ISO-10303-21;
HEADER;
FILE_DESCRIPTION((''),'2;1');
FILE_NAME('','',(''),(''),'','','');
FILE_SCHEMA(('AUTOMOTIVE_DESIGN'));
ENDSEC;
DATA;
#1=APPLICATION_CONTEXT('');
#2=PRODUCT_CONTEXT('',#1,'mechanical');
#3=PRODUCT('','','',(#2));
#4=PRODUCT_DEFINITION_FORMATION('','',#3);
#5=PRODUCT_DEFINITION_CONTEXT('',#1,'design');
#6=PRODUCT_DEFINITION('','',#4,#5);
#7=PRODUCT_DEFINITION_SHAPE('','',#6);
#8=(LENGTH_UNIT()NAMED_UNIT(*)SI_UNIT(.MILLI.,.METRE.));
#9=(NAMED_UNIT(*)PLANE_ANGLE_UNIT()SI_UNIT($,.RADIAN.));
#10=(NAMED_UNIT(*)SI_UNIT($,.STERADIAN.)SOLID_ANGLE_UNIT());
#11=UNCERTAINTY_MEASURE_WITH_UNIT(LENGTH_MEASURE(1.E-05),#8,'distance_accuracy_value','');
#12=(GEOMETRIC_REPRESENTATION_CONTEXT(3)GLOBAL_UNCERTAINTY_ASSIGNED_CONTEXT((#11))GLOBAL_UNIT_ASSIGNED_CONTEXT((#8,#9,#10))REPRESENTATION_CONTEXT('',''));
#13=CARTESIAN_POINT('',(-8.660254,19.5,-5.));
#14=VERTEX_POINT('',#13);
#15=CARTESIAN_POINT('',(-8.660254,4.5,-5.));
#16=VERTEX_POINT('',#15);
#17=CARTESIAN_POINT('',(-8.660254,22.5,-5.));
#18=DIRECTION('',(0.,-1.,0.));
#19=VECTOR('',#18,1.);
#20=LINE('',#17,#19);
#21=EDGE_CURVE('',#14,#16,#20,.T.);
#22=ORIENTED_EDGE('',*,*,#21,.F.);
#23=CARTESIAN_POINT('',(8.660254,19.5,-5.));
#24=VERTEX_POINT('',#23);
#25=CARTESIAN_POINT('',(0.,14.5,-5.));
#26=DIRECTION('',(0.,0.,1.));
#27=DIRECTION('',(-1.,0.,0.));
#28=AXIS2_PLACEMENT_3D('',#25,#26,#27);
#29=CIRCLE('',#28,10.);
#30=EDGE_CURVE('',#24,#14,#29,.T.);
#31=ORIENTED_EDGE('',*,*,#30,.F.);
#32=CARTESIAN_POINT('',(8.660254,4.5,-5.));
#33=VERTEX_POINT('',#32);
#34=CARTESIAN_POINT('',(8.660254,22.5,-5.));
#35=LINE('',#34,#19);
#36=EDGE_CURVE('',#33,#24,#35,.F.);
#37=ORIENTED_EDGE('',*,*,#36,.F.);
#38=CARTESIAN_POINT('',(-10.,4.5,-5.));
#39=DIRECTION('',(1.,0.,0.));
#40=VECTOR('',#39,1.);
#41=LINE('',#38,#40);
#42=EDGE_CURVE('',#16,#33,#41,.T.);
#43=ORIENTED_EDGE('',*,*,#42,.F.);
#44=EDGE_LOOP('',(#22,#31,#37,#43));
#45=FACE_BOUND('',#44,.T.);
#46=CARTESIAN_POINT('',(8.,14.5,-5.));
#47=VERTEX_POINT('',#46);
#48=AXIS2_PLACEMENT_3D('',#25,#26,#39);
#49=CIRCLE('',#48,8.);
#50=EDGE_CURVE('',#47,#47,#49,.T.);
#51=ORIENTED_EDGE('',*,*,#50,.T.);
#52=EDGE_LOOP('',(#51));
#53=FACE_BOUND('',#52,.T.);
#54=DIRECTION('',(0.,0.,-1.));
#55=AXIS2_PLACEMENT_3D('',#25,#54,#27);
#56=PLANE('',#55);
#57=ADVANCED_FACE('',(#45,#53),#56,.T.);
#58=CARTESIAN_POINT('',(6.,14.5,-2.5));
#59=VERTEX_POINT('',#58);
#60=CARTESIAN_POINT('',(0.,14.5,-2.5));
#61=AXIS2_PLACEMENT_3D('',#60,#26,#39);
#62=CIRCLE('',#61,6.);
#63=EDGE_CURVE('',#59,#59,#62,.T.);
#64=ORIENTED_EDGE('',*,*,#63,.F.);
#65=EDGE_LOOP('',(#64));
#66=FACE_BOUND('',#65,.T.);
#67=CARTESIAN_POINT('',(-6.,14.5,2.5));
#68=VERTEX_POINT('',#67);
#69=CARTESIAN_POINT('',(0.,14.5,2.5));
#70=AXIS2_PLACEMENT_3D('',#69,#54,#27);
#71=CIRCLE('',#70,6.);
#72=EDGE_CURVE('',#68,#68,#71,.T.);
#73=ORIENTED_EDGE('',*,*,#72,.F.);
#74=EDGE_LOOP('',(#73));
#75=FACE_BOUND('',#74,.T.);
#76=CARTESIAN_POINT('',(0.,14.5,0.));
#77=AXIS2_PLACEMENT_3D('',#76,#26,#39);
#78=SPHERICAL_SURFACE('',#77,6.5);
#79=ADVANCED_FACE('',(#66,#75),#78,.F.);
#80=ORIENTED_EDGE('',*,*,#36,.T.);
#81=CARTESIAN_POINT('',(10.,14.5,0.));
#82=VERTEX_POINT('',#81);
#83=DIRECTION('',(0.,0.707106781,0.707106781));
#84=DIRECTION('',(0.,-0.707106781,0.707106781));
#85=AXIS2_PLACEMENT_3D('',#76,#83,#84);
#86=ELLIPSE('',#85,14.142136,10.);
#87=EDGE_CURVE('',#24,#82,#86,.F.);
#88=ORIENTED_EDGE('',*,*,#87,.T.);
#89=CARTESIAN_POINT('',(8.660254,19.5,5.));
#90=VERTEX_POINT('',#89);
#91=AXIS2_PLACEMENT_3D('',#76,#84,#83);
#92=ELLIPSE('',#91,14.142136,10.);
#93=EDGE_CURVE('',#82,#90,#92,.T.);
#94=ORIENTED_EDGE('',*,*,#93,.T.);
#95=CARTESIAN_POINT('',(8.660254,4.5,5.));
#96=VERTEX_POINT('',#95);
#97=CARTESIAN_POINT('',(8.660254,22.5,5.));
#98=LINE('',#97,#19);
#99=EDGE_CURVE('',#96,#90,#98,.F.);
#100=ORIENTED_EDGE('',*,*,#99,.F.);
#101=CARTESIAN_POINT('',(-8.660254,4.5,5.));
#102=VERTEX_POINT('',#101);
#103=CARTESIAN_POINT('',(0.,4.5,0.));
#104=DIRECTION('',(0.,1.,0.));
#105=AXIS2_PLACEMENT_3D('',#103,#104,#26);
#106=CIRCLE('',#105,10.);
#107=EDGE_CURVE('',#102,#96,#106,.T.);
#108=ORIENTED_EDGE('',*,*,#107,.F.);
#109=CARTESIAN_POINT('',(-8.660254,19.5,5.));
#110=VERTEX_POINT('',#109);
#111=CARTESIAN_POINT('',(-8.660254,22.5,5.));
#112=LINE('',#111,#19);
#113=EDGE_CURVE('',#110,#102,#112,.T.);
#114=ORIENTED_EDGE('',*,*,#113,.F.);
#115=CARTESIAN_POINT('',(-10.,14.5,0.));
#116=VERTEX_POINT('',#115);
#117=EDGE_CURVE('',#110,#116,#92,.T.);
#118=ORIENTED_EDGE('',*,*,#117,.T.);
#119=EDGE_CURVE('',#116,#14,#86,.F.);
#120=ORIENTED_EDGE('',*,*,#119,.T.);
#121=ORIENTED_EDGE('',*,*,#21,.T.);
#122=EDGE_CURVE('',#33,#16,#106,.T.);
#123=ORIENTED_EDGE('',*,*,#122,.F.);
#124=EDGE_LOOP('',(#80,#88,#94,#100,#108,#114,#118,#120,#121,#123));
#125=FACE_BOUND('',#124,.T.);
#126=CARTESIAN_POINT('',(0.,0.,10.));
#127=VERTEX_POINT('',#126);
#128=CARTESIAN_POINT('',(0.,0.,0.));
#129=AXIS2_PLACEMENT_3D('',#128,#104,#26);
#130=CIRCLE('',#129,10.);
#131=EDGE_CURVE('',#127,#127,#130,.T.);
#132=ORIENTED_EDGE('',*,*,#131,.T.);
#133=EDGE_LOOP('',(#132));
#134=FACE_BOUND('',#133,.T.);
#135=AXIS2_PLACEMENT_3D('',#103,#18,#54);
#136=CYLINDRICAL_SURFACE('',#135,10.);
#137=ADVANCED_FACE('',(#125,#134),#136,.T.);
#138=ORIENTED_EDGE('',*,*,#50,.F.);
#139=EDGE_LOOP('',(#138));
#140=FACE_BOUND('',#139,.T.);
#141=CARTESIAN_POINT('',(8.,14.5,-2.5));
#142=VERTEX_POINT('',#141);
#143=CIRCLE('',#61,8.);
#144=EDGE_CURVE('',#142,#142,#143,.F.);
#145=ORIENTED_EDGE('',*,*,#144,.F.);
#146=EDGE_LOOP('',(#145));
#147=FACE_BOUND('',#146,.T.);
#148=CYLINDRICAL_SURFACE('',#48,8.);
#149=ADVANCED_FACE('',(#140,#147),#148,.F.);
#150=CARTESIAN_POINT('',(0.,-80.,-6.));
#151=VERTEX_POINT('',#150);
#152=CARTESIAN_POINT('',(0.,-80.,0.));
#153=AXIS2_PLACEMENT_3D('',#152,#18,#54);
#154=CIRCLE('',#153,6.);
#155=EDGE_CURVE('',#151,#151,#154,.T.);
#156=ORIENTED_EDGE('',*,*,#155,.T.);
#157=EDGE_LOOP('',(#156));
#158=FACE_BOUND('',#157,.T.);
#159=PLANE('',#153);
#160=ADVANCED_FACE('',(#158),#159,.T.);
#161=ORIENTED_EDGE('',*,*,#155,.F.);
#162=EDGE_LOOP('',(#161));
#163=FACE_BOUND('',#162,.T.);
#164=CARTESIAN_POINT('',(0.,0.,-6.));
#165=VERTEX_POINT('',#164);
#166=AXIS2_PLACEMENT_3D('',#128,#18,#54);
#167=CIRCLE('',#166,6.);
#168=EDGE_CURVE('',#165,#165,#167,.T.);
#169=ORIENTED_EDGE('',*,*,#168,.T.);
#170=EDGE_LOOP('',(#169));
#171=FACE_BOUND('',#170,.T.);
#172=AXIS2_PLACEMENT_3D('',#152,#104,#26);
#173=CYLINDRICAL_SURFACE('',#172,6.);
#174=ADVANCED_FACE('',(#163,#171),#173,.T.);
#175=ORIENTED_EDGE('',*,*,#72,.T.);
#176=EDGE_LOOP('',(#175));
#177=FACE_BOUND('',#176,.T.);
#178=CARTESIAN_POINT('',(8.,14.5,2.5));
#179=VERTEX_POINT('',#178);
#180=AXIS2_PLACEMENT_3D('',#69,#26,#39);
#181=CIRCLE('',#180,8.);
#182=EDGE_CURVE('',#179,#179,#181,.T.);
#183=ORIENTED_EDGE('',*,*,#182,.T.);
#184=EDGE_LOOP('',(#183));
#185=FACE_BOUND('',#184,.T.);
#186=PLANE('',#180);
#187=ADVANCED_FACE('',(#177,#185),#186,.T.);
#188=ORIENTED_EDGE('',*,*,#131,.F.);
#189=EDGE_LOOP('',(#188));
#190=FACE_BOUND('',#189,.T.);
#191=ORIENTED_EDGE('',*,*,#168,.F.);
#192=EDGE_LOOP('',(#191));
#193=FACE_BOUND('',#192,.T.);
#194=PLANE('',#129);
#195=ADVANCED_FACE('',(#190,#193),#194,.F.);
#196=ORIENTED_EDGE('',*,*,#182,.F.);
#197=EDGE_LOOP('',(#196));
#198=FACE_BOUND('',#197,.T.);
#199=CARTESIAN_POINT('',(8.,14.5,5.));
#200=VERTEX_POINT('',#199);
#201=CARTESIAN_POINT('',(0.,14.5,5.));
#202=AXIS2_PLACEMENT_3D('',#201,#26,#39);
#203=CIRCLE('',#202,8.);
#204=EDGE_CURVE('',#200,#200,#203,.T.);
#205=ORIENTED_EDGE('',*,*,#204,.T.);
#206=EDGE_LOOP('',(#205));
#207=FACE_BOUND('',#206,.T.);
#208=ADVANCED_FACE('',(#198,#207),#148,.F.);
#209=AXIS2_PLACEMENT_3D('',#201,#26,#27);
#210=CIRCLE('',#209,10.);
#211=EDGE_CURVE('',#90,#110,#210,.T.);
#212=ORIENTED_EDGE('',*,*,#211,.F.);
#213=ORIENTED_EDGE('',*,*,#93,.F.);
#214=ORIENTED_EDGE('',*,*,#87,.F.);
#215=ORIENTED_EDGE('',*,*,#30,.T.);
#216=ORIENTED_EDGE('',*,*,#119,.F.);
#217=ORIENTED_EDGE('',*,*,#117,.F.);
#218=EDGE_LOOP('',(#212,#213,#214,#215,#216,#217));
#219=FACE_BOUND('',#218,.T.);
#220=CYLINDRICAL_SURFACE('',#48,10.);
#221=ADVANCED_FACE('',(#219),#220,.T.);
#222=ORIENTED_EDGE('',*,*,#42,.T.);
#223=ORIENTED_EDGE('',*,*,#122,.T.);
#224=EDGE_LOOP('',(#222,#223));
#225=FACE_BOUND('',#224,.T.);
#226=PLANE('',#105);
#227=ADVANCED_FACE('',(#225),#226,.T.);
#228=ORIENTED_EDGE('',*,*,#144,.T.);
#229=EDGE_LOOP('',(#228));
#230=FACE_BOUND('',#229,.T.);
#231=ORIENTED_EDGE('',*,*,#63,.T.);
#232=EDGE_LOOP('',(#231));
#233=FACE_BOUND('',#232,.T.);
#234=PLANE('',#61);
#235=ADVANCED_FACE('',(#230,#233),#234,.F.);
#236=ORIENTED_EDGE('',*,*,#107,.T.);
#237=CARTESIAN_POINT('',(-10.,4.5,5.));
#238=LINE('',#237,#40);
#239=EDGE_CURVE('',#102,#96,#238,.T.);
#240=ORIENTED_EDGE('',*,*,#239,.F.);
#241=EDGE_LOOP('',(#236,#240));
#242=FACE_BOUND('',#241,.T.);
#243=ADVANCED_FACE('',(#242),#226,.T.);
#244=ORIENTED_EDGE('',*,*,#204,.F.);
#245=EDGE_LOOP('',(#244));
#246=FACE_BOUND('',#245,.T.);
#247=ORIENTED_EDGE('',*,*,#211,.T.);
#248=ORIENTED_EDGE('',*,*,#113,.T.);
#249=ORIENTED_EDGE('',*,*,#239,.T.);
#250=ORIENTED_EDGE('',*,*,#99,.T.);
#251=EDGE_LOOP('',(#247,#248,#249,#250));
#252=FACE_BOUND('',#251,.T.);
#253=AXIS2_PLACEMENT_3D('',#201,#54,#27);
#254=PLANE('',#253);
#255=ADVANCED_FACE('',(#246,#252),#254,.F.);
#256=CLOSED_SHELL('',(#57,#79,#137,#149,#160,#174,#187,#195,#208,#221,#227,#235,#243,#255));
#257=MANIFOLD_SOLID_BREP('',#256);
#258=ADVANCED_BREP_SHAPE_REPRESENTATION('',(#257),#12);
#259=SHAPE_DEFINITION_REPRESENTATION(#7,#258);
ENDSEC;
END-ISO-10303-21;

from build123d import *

# Parameters (mm, degrees)
SKETCH_1_R          = 10
EXTRUDE_1_DEPTH     = 4.5
SKETCH_4_R          = 8
EXTRUDE_3_DEPTH     = 5
SKETCH_5_R          = 8
EXTRUDE_4_DEPTH     = 2.5
SKETCH_8_R          = 4
SKETCH_7_R          = 6
SKETCH_9_R          = 14.627232323
SKETCH_9_R_2        = 10
CUT_EXTRUDE_1_DEPTH = 18
SKETCH_10_R         = 2.5
CUT_EXTRUDE_2_DEPTH = 10
SKETCH_2_R          = 6
EXTRUDE_5_DEPTH     = 80
SKETCH_11_R         = 6
CUT_EXTRUDE_3_DEPTH = 36


with BuildPart() as part:
    # 草图1 → 凸台-拉伸1 (new body)
    with BuildSketch(Plane(origin=(0, 0, 0), x_dir=(1, 0, 0), z_dir=(0, 1, 0))):
        with Locations(Location((0, 0, 0), (0, 0, 270))):
            Circle(SKETCH_1_R)
    extrude(amount=EXTRUDE_1_DEPTH)

    # 草图4 → 凸台-拉伸3 (add, symmetric)
    with BuildSketch(Plane.XY):
        with BuildLine():
            Line((-10, 4.5), (10, 4.5))
            Line((10, 4.5), (10, 14.5))
            ThreePointArc((10, 14.5), (0, 24.5), (-10, 14.5))
            Line((-10, 14.5), (-10, 4.5))
        make_face()
        with Locations((0, 14.5)):
            Circle(SKETCH_4_R, mode=Mode.SUBTRACT)
    extrude(amount=EXTRUDE_3_DEPTH, both=True)

    # 草图5 → 凸台-拉伸4 (add, symmetric)
    with BuildSketch(Plane.XY):
        with Locations((0, 14.5)):
            Circle(SKETCH_5_R)
    extrude(amount=EXTRUDE_4_DEPTH, both=True)

    # 草图8 → 放样1 section 0
    with BuildSketch(Plane.XY.offset(4.5)):
        with Locations((0, 14.5)):
            Circle(SKETCH_8_R)
    # 草图7 → 放样1 section 1
    with BuildSketch(Plane.XY.offset(2.5)):
        with Locations((0, 14.5)):
            Circle(SKETCH_7_R)
    loft_1 = loft()

    # 镜向1: 放样1 across plane
    add(loft_1.mirror(Plane.XY))

    # 草图9 → 切除-拉伸1 (cut)
    with BuildSketch(Plane(origin=(0, 4.5, 0), x_dir=(1, 0, 0), z_dir=(0, 1, 0))):
        Circle(SKETCH_9_R)
        with Locations(Location((0, 0, 0), (0, 0, 150))):
            Circle(SKETCH_9_R_2, mode=Mode.SUBTRACT)
    extrude(amount=CUT_EXTRUDE_1_DEPTH, mode=Mode.SUBTRACT)

    # 草图10 → 切除-拉伸2 (cut)
    with BuildSketch(Plane.XY.offset(4.5)):
        with Locations((0, 14.5)):
            Circle(SKETCH_10_R)
    extrude(amount=-CUT_EXTRUDE_2_DEPTH, mode=Mode.SUBTRACT)

    # 草图2 → 凸台-拉伸5 (add)
    with BuildSketch(Plane.XZ):
        with Locations(Location((0, 0, 0), (0, 0, 270))):
            Circle(SKETCH_2_R)
    extrude(amount=EXTRUDE_5_DEPTH)

    # 草图11 → 切除-拉伸3 (cut)
    with BuildSketch(Plane.XY.offset(4.5)):
        with Locations((0, 14.5)):
            Circle(SKETCH_11_R)
    extrude(amount=-CUT_EXTRUDE_3_DEPTH, mode=Mode.SUBTRACT)

    # 草图12 → 切除-旋转1 (revolve, cut)
    with BuildSketch(Plane.XY):
        with BuildLine():
            Line((0, 8), (0, 21))
            ThreePointArc((0, 21), (6.5, 14.5), (0, 8))
        make_face()
    revolve(axis=Axis((0, 8, 0), (0, 1, 0)), mode=Mode.SUBTRACT)


solid = part.part
